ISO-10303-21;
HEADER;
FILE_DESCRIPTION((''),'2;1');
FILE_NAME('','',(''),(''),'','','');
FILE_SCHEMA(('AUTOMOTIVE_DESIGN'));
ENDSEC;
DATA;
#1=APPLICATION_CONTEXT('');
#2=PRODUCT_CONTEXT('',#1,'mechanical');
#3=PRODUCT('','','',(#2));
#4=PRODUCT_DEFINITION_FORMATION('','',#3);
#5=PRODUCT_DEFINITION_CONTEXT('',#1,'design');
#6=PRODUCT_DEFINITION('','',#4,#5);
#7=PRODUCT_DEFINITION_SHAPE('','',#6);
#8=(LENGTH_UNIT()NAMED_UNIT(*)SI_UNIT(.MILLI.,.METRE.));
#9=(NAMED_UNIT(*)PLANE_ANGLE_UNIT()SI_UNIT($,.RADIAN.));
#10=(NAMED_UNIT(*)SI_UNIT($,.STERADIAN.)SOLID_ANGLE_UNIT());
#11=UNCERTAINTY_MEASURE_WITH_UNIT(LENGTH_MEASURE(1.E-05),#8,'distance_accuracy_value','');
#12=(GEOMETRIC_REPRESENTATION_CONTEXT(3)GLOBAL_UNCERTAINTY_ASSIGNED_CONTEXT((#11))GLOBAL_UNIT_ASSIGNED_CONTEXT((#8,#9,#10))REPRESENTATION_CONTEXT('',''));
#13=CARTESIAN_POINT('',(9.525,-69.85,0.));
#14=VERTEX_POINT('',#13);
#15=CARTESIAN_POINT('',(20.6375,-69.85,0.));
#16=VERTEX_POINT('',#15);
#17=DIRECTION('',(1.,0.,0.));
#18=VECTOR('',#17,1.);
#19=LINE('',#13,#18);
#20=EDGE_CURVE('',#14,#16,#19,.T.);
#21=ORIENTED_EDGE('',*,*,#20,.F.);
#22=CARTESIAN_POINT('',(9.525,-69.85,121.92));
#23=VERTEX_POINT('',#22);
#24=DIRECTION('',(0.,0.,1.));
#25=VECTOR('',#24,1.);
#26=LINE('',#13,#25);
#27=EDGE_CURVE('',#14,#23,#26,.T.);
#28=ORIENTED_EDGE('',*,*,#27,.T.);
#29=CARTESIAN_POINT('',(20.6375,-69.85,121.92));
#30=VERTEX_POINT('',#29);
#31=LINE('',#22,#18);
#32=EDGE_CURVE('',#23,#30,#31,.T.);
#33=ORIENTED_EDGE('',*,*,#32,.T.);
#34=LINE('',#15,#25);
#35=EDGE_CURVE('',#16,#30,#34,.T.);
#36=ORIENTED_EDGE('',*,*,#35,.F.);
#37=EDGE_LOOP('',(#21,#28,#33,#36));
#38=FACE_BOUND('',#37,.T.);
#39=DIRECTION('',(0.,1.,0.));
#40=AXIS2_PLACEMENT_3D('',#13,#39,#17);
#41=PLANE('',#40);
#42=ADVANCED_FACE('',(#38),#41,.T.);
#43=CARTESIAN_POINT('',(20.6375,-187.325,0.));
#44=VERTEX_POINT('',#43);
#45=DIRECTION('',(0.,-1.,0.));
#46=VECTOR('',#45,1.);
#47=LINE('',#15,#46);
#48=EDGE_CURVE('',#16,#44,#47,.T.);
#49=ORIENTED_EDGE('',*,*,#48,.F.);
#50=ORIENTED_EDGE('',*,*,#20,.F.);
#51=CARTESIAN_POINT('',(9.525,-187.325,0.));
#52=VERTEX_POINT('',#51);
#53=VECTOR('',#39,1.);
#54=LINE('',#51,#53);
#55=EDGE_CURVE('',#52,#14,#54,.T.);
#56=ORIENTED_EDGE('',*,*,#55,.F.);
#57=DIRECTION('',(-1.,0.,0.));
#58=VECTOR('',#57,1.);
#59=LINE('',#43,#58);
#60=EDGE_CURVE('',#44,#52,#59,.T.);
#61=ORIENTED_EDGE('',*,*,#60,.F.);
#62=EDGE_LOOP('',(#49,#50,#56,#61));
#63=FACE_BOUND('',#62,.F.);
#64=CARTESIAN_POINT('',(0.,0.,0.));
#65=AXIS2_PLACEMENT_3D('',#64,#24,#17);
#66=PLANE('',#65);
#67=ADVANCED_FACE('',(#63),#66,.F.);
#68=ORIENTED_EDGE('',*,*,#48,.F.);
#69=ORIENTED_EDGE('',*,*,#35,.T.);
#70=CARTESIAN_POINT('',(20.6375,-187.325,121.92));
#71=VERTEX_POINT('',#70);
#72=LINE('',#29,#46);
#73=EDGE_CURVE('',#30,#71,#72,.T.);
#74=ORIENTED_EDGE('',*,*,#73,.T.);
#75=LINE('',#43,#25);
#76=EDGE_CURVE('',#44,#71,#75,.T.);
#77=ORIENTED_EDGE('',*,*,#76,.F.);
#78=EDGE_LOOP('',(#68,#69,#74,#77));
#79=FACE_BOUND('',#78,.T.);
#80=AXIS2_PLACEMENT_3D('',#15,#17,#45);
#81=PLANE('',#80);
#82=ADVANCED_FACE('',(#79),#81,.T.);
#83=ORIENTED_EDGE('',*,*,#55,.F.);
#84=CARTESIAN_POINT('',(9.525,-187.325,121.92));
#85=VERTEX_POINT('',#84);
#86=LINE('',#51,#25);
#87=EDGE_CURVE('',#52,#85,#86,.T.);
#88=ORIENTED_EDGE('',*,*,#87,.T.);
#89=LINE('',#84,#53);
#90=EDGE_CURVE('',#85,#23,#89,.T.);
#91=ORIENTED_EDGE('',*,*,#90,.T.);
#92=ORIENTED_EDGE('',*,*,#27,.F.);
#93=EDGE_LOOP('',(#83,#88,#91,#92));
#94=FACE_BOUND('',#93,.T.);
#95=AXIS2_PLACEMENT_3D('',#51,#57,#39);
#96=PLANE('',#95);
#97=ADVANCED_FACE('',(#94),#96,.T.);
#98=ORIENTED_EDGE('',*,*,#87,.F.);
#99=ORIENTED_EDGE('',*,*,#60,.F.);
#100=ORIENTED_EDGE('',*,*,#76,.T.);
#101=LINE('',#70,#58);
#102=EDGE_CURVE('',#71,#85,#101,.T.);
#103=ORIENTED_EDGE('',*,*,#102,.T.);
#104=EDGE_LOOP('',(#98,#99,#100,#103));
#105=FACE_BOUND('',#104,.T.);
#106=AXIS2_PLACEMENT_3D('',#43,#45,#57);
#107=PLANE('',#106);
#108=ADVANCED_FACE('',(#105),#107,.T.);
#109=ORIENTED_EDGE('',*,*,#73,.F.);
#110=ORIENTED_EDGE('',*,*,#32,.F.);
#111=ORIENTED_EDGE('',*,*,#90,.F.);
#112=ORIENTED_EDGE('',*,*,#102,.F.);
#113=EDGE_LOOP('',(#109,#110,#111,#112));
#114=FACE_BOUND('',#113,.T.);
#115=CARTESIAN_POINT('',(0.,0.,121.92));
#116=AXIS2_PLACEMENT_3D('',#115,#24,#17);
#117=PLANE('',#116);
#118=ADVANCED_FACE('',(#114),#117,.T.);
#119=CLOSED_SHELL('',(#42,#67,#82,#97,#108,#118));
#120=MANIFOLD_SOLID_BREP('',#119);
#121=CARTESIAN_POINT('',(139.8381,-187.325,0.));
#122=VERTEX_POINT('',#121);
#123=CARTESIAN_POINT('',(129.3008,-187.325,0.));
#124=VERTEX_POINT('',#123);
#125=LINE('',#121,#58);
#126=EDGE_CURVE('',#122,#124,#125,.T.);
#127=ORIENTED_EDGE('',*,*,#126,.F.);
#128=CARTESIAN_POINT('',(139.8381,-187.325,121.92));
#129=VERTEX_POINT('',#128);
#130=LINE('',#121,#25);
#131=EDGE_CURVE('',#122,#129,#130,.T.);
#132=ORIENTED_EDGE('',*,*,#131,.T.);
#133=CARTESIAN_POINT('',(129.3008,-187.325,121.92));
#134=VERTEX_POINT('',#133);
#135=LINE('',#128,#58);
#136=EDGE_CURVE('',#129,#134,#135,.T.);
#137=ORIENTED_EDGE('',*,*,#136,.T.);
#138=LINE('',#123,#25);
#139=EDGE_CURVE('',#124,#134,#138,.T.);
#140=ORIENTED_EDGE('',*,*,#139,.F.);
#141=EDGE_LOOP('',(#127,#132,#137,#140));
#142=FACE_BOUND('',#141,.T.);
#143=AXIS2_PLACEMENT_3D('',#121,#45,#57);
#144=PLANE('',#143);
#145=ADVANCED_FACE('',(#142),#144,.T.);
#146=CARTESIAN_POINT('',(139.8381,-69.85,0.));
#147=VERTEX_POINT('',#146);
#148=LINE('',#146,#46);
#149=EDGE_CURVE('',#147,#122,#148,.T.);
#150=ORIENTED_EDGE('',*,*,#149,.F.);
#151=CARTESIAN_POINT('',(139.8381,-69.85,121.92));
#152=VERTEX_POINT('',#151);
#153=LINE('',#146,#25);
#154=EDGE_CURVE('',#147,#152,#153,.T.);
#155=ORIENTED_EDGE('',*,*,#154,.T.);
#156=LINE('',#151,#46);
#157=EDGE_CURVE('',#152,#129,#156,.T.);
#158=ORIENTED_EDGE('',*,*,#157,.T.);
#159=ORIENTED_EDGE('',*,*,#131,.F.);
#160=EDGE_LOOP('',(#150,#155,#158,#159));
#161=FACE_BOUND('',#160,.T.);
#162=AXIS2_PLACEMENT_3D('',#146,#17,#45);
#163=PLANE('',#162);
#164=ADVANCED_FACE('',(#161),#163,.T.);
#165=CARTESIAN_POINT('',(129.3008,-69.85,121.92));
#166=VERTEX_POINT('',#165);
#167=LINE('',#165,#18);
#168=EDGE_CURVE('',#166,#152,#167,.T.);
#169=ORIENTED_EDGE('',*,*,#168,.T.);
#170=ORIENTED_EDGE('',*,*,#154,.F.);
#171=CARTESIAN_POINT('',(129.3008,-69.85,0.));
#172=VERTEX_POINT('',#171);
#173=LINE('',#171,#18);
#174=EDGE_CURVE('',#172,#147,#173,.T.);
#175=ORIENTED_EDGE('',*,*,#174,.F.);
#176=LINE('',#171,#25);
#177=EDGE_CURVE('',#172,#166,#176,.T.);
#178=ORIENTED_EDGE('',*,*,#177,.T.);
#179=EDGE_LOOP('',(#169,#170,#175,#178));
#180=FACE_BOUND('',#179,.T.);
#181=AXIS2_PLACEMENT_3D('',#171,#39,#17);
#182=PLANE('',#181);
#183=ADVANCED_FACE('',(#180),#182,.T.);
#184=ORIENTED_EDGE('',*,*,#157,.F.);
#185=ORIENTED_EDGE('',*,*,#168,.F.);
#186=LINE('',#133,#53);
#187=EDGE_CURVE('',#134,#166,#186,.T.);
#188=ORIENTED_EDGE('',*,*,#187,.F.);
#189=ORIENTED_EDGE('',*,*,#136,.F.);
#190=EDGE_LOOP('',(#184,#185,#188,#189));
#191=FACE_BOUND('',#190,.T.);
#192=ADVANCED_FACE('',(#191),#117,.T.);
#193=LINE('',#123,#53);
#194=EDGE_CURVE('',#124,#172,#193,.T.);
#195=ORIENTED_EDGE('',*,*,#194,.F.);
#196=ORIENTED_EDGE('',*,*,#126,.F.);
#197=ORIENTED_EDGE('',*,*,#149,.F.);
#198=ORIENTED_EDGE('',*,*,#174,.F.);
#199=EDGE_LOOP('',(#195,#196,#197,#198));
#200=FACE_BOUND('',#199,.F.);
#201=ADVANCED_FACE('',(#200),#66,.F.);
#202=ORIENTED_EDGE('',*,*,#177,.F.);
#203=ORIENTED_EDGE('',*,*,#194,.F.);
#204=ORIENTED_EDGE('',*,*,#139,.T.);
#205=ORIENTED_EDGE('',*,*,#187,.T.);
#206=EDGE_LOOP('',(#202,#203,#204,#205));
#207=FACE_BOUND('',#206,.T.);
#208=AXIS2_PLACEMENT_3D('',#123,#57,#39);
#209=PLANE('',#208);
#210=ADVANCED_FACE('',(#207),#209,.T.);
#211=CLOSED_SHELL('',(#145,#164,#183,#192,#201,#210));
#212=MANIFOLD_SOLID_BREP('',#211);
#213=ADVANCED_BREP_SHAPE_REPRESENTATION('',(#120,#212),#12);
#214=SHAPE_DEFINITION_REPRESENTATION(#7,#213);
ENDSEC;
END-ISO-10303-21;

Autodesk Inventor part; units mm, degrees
ref_plane "YZ Plane" through (0, 0, 0) normal (1, 0, 0) x (0, 1, 0)
ref_plane "XZ Plane" through (0, 0, 0) normal (0, 1, 0) x (-1, 0, 0)
ref_plane "XY Plane" through (0, 0, 0) normal (0, 0, 1) x (1, 0, 0)
ref_plane "Work Plane1" through (0, 0, 0) normal (0, 0, 1) x (1, 0, 0)
sketch "Sketch1" plane through (0, 0, 0) normal (0, 0, 1) x (1, 0, 0)
  line L0 (139.8381, -187.325) -> (129.3008, -187.325)
  line L1 (129.3008, -187.325) -> (129.3008, -69.85)
  line L2 (129.3008, -69.85) -> (139.8381, -69.85)
  line L3 (139.8381, -69.85) -> (139.8381, -187.325)
  line L4 (20.6375, -187.325) -> (9.525, -187.325)
  line L5 (9.525, -187.325) -> (9.525, -69.85)
  line L6 (9.525, -69.85) -> (20.6375, -69.85)
  line L7 (20.6375, -69.85) -> (20.6375, -187.325)
  point P0 (0, 0)
extrude "Extrusion1" add sketch "Sketch1" along normal blind 121.92
properties part number "conveyor stand"
